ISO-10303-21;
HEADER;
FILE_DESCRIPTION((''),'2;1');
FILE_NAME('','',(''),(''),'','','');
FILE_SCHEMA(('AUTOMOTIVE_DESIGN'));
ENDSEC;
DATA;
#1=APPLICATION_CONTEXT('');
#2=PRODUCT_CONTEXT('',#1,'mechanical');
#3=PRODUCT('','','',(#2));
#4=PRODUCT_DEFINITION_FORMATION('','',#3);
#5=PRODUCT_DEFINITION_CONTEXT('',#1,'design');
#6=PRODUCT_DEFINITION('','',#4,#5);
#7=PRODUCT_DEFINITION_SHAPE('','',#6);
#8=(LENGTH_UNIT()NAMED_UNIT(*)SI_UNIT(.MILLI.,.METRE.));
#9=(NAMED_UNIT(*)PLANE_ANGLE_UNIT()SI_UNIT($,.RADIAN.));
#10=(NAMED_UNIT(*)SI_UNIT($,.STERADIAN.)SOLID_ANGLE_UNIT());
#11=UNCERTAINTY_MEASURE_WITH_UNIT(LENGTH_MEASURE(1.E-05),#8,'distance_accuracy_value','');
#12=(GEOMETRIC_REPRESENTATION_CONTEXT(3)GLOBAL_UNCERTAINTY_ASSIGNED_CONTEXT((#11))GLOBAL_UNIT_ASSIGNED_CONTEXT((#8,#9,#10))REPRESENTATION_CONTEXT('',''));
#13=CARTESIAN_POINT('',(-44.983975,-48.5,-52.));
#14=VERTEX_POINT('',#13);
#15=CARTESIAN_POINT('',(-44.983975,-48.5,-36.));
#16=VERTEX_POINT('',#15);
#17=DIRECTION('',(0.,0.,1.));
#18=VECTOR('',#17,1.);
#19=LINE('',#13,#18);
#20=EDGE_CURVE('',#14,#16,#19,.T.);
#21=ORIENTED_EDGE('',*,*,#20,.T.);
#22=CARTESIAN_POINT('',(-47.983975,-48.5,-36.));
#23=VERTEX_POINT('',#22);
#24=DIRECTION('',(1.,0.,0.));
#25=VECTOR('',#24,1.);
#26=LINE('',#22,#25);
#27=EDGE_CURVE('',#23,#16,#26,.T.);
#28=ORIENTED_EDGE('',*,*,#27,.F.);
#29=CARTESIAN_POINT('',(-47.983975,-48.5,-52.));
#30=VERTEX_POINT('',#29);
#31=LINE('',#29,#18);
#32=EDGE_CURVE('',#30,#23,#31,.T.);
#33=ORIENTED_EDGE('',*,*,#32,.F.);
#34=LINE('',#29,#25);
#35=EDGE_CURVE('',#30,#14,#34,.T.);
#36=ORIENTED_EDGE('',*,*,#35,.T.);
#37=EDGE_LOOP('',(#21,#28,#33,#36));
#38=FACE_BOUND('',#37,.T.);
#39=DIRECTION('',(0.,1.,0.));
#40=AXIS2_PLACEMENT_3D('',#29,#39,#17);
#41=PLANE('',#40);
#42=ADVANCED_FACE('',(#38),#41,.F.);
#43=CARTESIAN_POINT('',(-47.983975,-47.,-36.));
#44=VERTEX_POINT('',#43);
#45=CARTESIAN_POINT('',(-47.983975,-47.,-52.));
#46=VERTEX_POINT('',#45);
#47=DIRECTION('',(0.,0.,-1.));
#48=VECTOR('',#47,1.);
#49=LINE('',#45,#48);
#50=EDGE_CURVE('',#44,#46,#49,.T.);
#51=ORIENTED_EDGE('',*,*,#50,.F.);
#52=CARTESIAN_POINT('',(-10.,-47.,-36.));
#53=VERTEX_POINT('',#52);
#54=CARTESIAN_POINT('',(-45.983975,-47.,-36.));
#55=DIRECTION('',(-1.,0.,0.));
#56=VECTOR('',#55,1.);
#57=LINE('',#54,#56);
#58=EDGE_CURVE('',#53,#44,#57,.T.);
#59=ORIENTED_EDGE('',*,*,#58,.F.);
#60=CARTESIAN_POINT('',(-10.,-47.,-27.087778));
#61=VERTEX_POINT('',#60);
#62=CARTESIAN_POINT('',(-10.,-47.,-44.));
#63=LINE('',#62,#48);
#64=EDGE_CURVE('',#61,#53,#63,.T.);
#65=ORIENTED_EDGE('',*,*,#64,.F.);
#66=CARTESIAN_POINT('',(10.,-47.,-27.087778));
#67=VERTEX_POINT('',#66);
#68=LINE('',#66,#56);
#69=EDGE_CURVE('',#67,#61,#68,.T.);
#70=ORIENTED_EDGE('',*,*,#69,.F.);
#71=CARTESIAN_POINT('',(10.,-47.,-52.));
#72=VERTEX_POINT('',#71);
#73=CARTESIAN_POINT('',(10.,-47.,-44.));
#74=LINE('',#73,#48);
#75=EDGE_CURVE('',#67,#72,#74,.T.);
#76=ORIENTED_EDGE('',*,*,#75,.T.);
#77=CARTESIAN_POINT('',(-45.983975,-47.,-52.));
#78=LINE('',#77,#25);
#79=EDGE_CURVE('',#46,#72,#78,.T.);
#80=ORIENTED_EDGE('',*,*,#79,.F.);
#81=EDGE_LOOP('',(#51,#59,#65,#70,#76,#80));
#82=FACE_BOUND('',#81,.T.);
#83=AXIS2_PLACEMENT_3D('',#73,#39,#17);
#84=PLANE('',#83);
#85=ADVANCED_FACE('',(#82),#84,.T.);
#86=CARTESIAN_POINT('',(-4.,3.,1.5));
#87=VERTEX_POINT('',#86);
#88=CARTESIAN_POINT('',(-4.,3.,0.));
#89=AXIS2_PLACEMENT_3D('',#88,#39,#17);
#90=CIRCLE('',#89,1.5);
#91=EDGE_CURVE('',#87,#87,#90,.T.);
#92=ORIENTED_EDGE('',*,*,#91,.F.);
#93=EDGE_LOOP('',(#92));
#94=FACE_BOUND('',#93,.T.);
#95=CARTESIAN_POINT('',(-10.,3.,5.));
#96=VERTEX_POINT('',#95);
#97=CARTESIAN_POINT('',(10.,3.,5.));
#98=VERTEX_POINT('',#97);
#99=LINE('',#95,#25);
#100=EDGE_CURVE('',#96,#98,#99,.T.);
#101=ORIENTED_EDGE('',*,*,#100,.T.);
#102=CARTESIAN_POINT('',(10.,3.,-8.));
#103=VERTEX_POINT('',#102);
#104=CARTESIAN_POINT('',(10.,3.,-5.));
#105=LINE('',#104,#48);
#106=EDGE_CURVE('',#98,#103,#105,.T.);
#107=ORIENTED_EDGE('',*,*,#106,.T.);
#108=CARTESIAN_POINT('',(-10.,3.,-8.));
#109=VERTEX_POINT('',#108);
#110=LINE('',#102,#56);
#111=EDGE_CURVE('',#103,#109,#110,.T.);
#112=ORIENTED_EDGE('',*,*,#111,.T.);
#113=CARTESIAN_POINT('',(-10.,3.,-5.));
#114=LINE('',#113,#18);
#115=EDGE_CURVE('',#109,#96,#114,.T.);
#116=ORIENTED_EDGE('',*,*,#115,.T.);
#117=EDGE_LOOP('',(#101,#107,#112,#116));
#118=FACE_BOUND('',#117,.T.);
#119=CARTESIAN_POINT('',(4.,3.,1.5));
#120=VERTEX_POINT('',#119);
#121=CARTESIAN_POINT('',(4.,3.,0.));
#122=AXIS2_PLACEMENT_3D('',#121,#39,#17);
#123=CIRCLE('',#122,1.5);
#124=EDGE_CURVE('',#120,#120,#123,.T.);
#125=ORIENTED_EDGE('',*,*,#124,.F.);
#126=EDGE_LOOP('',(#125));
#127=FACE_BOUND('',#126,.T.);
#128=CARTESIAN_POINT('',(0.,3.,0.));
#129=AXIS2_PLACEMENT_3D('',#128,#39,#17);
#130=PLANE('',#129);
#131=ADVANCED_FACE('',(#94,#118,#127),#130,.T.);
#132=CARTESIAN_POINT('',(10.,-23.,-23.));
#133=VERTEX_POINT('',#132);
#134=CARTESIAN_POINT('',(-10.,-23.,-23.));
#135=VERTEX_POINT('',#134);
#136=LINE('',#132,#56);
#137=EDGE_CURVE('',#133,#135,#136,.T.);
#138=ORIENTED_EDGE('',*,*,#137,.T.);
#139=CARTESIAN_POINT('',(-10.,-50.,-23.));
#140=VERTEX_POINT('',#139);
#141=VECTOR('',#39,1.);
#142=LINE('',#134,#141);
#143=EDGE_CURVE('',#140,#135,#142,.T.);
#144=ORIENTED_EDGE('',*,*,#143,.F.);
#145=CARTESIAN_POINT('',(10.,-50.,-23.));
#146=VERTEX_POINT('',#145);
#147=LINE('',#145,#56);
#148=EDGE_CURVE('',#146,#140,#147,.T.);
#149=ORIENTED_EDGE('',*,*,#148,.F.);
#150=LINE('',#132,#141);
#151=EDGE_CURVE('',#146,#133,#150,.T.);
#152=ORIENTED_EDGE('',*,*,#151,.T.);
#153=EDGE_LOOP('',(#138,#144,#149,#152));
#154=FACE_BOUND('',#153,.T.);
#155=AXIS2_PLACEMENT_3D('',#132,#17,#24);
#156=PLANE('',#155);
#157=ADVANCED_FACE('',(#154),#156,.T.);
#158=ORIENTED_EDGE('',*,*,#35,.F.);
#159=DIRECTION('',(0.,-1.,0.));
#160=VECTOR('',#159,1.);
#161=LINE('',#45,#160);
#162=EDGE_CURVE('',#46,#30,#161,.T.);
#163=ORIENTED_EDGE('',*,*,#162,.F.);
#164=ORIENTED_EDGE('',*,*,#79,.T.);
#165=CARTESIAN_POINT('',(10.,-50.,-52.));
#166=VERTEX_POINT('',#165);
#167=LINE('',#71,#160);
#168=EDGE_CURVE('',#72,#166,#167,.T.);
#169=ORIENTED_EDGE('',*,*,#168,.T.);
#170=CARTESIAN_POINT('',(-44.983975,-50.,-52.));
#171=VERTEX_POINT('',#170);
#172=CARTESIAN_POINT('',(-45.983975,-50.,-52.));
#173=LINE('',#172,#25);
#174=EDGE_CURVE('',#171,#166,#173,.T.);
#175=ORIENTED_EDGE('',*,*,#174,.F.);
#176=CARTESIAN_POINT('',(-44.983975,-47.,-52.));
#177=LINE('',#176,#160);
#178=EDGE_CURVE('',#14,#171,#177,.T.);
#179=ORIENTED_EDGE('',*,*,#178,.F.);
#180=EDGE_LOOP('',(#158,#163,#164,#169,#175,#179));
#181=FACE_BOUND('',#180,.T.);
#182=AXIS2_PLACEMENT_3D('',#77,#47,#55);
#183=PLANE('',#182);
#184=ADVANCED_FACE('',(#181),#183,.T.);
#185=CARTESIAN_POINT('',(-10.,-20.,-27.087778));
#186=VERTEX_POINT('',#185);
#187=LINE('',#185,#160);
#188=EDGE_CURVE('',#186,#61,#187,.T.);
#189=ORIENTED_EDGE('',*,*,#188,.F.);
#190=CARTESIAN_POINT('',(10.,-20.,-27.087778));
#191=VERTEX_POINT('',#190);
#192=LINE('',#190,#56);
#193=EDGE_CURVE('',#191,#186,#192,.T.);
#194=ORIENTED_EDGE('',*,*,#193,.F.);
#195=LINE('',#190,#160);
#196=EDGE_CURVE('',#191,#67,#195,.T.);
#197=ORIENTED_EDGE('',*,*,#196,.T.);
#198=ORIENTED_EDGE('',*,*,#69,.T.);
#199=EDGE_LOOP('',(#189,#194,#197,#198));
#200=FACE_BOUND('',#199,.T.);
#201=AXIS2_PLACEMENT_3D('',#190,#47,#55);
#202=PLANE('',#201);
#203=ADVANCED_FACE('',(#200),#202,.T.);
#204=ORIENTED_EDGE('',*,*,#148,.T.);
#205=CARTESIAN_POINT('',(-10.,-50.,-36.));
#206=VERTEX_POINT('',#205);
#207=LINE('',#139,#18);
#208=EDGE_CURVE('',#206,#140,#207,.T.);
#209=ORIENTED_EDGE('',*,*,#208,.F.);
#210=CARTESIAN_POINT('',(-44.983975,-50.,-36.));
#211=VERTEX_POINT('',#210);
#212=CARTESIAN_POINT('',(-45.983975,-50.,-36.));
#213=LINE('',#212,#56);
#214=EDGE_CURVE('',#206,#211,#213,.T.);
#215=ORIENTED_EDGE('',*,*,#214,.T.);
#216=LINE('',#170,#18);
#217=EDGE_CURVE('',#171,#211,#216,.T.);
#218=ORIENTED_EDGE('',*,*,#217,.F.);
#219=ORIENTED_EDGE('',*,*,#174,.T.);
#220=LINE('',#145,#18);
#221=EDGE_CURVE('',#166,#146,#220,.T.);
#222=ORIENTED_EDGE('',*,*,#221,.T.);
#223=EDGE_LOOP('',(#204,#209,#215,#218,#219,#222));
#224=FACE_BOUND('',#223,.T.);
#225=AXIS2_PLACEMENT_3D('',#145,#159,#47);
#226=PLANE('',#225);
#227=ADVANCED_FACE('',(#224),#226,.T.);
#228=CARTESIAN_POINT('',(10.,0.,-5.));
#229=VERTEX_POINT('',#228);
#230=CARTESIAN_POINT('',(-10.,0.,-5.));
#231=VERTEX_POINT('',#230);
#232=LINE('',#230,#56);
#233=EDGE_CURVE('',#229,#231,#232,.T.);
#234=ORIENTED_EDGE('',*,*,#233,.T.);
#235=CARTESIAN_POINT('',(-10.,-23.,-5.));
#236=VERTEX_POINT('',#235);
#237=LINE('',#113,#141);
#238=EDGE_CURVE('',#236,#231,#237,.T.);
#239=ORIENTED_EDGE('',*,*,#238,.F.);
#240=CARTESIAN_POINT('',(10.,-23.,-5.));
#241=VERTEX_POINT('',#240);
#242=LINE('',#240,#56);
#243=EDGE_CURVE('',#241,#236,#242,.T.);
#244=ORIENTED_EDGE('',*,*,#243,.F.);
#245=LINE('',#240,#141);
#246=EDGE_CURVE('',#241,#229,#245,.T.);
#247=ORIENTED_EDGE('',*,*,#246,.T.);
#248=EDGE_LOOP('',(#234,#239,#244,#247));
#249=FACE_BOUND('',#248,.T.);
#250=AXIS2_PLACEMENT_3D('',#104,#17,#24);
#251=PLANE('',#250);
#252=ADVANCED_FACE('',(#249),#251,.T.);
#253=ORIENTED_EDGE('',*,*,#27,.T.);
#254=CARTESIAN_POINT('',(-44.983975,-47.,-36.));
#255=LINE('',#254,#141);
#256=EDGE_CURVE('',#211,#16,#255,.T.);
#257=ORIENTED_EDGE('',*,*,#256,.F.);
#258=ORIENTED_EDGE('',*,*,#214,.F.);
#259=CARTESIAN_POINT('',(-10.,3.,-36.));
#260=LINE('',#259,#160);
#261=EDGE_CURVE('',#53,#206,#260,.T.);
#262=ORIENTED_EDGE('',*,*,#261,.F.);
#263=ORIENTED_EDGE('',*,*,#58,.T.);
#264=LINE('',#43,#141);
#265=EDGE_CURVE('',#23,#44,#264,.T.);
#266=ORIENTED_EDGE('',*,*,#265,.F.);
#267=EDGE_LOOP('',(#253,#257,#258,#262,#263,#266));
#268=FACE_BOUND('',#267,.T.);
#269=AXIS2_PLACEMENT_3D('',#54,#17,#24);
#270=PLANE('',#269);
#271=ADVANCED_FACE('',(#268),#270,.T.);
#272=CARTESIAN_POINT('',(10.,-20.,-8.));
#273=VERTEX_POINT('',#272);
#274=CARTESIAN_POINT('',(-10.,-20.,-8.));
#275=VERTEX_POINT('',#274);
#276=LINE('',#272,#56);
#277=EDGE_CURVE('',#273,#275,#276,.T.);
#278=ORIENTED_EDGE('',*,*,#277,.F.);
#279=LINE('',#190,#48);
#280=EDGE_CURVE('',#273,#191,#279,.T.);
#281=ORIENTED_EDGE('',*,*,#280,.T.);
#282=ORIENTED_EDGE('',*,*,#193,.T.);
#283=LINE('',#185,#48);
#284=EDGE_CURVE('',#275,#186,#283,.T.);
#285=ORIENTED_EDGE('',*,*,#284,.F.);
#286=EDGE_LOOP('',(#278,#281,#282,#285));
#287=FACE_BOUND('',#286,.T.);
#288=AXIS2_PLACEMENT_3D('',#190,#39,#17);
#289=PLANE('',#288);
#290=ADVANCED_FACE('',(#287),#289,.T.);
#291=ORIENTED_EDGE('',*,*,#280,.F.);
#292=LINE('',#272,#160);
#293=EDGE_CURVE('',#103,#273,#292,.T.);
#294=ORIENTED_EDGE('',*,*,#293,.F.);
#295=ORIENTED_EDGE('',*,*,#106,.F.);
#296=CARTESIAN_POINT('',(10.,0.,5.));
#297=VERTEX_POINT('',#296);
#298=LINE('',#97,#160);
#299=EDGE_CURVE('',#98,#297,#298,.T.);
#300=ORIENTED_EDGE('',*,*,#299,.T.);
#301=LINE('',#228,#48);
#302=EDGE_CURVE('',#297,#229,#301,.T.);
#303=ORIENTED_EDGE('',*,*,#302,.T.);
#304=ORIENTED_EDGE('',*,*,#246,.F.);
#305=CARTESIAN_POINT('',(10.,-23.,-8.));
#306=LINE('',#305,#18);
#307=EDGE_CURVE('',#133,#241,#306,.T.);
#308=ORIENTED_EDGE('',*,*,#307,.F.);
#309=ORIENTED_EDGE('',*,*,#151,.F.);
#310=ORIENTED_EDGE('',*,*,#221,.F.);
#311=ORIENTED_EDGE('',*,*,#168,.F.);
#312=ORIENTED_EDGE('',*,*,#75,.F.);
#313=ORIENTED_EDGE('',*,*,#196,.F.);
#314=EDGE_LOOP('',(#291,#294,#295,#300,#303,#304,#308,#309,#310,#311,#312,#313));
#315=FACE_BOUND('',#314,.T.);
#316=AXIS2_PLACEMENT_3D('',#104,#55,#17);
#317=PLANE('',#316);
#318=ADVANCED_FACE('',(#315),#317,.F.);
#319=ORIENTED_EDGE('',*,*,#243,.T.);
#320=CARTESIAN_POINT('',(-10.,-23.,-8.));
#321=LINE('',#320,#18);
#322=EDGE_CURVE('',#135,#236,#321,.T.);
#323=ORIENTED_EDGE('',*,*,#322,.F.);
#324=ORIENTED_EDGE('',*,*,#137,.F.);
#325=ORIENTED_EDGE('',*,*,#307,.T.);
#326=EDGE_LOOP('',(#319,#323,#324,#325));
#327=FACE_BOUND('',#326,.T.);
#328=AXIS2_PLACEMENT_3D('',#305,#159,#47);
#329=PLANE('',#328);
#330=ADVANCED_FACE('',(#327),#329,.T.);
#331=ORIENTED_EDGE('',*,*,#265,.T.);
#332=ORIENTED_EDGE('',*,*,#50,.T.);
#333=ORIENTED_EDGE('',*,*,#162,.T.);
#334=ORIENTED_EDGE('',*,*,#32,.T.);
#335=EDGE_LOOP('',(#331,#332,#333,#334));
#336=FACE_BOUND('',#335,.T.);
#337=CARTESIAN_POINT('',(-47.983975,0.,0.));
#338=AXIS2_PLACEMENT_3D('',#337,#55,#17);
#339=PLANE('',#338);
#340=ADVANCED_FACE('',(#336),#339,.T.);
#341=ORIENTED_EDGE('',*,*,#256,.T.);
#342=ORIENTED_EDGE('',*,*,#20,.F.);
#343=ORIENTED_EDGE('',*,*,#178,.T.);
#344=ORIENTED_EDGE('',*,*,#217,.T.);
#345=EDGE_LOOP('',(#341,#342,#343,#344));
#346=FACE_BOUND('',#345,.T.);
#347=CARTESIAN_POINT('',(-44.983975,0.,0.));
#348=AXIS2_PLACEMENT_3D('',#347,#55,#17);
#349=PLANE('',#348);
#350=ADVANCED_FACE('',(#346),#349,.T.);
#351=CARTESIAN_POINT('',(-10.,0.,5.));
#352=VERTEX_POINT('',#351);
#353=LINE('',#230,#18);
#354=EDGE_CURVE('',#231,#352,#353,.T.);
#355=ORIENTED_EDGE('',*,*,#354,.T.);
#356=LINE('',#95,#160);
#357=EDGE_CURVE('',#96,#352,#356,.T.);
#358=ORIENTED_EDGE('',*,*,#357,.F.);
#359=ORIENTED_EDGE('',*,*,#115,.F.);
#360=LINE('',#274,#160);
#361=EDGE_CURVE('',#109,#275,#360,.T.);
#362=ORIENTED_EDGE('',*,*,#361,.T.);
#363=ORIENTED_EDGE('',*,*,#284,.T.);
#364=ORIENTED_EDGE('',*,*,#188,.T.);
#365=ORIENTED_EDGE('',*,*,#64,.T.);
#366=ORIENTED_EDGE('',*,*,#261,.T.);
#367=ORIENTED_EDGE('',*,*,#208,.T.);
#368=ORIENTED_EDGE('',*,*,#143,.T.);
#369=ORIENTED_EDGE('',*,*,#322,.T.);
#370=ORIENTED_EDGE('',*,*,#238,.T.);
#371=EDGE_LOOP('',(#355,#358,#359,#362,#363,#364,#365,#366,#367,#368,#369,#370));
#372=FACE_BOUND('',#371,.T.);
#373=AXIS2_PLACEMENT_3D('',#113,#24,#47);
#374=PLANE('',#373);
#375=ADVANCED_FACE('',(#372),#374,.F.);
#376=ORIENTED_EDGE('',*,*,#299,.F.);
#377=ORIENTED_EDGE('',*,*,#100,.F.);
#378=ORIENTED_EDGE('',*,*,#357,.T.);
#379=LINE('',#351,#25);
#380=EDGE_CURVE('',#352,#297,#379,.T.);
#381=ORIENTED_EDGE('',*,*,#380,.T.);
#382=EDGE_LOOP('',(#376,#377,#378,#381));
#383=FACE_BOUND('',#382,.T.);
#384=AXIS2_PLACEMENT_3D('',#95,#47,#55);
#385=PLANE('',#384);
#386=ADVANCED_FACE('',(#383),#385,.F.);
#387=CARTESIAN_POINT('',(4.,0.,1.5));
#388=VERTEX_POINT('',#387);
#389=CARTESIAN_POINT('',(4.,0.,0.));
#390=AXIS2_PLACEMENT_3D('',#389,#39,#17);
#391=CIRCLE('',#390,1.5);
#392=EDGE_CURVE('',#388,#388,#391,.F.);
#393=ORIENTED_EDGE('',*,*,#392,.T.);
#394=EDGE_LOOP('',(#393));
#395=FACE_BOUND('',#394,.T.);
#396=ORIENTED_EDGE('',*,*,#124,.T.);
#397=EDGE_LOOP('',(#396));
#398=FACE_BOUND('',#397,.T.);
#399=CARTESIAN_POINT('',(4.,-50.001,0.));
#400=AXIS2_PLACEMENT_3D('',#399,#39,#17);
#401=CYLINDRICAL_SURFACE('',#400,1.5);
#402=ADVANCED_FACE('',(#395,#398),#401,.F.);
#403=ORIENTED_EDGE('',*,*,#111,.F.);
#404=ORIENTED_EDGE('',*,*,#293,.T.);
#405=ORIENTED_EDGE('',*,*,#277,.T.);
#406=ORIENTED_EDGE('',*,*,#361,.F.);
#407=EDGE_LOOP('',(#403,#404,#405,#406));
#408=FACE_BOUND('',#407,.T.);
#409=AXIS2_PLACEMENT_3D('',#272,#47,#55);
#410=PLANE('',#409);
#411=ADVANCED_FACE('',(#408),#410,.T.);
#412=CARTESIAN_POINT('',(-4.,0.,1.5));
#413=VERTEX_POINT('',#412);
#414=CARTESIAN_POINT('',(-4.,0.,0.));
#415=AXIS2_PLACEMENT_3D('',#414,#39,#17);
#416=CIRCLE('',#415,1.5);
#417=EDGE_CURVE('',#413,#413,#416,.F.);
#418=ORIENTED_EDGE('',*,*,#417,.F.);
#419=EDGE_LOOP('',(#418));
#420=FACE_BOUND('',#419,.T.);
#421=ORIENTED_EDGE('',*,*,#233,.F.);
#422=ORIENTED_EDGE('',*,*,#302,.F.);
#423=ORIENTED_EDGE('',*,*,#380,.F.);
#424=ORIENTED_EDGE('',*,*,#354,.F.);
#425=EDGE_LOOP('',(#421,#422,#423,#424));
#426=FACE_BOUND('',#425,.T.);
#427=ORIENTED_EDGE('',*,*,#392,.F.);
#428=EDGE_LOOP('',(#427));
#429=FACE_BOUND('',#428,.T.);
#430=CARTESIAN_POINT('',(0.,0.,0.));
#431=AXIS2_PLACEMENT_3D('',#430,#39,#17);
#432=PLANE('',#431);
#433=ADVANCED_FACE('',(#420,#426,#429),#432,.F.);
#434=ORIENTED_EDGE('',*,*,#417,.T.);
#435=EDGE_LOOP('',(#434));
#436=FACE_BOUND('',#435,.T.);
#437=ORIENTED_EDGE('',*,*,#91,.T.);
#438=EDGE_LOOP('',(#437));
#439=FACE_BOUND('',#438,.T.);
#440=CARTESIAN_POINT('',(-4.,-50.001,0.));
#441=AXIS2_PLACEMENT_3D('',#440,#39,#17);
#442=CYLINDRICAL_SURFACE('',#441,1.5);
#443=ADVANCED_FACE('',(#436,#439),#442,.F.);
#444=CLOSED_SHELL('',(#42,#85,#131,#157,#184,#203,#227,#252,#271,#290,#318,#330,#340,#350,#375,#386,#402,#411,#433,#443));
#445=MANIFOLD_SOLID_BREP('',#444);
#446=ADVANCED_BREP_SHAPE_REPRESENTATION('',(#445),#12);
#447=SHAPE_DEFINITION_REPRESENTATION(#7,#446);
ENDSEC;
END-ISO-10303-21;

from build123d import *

# Parameters (mm, degrees)
SKETCH_1_W          = 20
SKETCH_1_H          = 10
EXTRUDE_1_DEPTH     = 3
EXTRUDE_4_DEPTH     = 20
CUT_EXTRUDE_1_REACH = 71.606
SKETCH_4_R          = 1.5
SKETCH_5_W          = 55.983974596
SKETCH_5_H          = 16
EXTRUDE_5_DEPTH     = 3
SKETCH_6_W          = 16
SKETCH_6_H          = 3
CUT_EXTRUDE_2_DEPTH = 1
SKETCH_7_W          = 16
SKETCH_7_H          = 1.5
EXTRUDE_6_DEPTH     = 3


with BuildPart() as part:
    # 草图1 → 凸台-拉伸1 (new body)
    with BuildSketch(Plane(origin=(0, 0, 0), x_dir=(1, 0, 0), z_dir=(0, 1, 0))):
        Rectangle(SKETCH_1_W, SKETCH_1_H)
    extrude(amount=EXTRUDE_1_DEPTH)

    # 草图2 → 凸台-拉伸4 (add)
    with BuildSketch(Plane.ZY.offset(10)):
        Polygon((-8, -20), (-8, 3), (-5, 3), (-5, 0), (-5, -23), (-8, -23), (-23, -23), (-23, -50), (-44, -50), (-44, -47), (-27.087778499, -47), (-27.087778499, -20), align=None)
    extrude(amount=-EXTRUDE_4_DEPTH)

    # 草图4 → 切除-拉伸1 (cut, up to next)
    with BuildSketch(Plane(origin=(0, 3, 0), x_dir=(1, 0, 0), z_dir=(0, 1, 0)), mode=Mode.PRIVATE) as cut_extrude_1_sk1:
        with Locations(Location((4, 0, 0), (0, 0, 270))):
            Circle(SKETCH_4_R)
    cut_extrude_1_tool1 = extrude(cut_extrude_1_sk1.sketch, amount=-CUT_EXTRUDE_1_REACH, mode=Mode.PRIVATE) & part.part
    # 草图4 → 切除-拉伸1 (cut, up to next)
    with BuildSketch(Plane(origin=(0, 3, 0), x_dir=(1, 0, 0), z_dir=(0, 1, 0)), mode=Mode.PRIVATE) as cut_extrude_1_sk2:
        with Locations(Location((-4, 0, 0), (0, 0, 270))):
            Circle(SKETCH_4_R)
    cut_extrude_1_tool2 = extrude(cut_extrude_1_sk2.sketch, amount=-CUT_EXTRUDE_1_REACH, mode=Mode.PRIVATE) & part.part
    add(cut_extrude_1_tool1.solids().sort_by_distance((4, 3, 0))[0], mode=Mode.SUBTRACT)
    add(cut_extrude_1_tool2.solids().sort_by_distance((-4, 3, 0))[0], mode=Mode.SUBTRACT)

    # 草图5 → 凸台-拉伸5 (add)
    with BuildSketch(Plane.XZ.offset(50)):
        with Locations((-17.991987298, -44)):
            Rectangle(SKETCH_5_W, SKETCH_5_H)
    extrude(amount=-EXTRUDE_5_DEPTH)

    # 草图6 → 切除-拉伸2 (cut)
    with BuildSketch(Plane.ZY.offset(45.983974596)):
        with Locations((-44, -48.5)):
            Rectangle(SKETCH_6_W, SKETCH_6_H)
    extrude(amount=-CUT_EXTRUDE_2_DEPTH, mode=Mode.SUBTRACT)

    # 草图7 → 凸台-拉伸6 (add)
    with BuildSketch(Plane.ZY.offset(44.983974596)):
        with Locations((-44, -47.75)):
            Rectangle(SKETCH_7_W, SKETCH_7_H)
    extrude(amount=EXTRUDE_6_DEPTH)


solid = part.part
